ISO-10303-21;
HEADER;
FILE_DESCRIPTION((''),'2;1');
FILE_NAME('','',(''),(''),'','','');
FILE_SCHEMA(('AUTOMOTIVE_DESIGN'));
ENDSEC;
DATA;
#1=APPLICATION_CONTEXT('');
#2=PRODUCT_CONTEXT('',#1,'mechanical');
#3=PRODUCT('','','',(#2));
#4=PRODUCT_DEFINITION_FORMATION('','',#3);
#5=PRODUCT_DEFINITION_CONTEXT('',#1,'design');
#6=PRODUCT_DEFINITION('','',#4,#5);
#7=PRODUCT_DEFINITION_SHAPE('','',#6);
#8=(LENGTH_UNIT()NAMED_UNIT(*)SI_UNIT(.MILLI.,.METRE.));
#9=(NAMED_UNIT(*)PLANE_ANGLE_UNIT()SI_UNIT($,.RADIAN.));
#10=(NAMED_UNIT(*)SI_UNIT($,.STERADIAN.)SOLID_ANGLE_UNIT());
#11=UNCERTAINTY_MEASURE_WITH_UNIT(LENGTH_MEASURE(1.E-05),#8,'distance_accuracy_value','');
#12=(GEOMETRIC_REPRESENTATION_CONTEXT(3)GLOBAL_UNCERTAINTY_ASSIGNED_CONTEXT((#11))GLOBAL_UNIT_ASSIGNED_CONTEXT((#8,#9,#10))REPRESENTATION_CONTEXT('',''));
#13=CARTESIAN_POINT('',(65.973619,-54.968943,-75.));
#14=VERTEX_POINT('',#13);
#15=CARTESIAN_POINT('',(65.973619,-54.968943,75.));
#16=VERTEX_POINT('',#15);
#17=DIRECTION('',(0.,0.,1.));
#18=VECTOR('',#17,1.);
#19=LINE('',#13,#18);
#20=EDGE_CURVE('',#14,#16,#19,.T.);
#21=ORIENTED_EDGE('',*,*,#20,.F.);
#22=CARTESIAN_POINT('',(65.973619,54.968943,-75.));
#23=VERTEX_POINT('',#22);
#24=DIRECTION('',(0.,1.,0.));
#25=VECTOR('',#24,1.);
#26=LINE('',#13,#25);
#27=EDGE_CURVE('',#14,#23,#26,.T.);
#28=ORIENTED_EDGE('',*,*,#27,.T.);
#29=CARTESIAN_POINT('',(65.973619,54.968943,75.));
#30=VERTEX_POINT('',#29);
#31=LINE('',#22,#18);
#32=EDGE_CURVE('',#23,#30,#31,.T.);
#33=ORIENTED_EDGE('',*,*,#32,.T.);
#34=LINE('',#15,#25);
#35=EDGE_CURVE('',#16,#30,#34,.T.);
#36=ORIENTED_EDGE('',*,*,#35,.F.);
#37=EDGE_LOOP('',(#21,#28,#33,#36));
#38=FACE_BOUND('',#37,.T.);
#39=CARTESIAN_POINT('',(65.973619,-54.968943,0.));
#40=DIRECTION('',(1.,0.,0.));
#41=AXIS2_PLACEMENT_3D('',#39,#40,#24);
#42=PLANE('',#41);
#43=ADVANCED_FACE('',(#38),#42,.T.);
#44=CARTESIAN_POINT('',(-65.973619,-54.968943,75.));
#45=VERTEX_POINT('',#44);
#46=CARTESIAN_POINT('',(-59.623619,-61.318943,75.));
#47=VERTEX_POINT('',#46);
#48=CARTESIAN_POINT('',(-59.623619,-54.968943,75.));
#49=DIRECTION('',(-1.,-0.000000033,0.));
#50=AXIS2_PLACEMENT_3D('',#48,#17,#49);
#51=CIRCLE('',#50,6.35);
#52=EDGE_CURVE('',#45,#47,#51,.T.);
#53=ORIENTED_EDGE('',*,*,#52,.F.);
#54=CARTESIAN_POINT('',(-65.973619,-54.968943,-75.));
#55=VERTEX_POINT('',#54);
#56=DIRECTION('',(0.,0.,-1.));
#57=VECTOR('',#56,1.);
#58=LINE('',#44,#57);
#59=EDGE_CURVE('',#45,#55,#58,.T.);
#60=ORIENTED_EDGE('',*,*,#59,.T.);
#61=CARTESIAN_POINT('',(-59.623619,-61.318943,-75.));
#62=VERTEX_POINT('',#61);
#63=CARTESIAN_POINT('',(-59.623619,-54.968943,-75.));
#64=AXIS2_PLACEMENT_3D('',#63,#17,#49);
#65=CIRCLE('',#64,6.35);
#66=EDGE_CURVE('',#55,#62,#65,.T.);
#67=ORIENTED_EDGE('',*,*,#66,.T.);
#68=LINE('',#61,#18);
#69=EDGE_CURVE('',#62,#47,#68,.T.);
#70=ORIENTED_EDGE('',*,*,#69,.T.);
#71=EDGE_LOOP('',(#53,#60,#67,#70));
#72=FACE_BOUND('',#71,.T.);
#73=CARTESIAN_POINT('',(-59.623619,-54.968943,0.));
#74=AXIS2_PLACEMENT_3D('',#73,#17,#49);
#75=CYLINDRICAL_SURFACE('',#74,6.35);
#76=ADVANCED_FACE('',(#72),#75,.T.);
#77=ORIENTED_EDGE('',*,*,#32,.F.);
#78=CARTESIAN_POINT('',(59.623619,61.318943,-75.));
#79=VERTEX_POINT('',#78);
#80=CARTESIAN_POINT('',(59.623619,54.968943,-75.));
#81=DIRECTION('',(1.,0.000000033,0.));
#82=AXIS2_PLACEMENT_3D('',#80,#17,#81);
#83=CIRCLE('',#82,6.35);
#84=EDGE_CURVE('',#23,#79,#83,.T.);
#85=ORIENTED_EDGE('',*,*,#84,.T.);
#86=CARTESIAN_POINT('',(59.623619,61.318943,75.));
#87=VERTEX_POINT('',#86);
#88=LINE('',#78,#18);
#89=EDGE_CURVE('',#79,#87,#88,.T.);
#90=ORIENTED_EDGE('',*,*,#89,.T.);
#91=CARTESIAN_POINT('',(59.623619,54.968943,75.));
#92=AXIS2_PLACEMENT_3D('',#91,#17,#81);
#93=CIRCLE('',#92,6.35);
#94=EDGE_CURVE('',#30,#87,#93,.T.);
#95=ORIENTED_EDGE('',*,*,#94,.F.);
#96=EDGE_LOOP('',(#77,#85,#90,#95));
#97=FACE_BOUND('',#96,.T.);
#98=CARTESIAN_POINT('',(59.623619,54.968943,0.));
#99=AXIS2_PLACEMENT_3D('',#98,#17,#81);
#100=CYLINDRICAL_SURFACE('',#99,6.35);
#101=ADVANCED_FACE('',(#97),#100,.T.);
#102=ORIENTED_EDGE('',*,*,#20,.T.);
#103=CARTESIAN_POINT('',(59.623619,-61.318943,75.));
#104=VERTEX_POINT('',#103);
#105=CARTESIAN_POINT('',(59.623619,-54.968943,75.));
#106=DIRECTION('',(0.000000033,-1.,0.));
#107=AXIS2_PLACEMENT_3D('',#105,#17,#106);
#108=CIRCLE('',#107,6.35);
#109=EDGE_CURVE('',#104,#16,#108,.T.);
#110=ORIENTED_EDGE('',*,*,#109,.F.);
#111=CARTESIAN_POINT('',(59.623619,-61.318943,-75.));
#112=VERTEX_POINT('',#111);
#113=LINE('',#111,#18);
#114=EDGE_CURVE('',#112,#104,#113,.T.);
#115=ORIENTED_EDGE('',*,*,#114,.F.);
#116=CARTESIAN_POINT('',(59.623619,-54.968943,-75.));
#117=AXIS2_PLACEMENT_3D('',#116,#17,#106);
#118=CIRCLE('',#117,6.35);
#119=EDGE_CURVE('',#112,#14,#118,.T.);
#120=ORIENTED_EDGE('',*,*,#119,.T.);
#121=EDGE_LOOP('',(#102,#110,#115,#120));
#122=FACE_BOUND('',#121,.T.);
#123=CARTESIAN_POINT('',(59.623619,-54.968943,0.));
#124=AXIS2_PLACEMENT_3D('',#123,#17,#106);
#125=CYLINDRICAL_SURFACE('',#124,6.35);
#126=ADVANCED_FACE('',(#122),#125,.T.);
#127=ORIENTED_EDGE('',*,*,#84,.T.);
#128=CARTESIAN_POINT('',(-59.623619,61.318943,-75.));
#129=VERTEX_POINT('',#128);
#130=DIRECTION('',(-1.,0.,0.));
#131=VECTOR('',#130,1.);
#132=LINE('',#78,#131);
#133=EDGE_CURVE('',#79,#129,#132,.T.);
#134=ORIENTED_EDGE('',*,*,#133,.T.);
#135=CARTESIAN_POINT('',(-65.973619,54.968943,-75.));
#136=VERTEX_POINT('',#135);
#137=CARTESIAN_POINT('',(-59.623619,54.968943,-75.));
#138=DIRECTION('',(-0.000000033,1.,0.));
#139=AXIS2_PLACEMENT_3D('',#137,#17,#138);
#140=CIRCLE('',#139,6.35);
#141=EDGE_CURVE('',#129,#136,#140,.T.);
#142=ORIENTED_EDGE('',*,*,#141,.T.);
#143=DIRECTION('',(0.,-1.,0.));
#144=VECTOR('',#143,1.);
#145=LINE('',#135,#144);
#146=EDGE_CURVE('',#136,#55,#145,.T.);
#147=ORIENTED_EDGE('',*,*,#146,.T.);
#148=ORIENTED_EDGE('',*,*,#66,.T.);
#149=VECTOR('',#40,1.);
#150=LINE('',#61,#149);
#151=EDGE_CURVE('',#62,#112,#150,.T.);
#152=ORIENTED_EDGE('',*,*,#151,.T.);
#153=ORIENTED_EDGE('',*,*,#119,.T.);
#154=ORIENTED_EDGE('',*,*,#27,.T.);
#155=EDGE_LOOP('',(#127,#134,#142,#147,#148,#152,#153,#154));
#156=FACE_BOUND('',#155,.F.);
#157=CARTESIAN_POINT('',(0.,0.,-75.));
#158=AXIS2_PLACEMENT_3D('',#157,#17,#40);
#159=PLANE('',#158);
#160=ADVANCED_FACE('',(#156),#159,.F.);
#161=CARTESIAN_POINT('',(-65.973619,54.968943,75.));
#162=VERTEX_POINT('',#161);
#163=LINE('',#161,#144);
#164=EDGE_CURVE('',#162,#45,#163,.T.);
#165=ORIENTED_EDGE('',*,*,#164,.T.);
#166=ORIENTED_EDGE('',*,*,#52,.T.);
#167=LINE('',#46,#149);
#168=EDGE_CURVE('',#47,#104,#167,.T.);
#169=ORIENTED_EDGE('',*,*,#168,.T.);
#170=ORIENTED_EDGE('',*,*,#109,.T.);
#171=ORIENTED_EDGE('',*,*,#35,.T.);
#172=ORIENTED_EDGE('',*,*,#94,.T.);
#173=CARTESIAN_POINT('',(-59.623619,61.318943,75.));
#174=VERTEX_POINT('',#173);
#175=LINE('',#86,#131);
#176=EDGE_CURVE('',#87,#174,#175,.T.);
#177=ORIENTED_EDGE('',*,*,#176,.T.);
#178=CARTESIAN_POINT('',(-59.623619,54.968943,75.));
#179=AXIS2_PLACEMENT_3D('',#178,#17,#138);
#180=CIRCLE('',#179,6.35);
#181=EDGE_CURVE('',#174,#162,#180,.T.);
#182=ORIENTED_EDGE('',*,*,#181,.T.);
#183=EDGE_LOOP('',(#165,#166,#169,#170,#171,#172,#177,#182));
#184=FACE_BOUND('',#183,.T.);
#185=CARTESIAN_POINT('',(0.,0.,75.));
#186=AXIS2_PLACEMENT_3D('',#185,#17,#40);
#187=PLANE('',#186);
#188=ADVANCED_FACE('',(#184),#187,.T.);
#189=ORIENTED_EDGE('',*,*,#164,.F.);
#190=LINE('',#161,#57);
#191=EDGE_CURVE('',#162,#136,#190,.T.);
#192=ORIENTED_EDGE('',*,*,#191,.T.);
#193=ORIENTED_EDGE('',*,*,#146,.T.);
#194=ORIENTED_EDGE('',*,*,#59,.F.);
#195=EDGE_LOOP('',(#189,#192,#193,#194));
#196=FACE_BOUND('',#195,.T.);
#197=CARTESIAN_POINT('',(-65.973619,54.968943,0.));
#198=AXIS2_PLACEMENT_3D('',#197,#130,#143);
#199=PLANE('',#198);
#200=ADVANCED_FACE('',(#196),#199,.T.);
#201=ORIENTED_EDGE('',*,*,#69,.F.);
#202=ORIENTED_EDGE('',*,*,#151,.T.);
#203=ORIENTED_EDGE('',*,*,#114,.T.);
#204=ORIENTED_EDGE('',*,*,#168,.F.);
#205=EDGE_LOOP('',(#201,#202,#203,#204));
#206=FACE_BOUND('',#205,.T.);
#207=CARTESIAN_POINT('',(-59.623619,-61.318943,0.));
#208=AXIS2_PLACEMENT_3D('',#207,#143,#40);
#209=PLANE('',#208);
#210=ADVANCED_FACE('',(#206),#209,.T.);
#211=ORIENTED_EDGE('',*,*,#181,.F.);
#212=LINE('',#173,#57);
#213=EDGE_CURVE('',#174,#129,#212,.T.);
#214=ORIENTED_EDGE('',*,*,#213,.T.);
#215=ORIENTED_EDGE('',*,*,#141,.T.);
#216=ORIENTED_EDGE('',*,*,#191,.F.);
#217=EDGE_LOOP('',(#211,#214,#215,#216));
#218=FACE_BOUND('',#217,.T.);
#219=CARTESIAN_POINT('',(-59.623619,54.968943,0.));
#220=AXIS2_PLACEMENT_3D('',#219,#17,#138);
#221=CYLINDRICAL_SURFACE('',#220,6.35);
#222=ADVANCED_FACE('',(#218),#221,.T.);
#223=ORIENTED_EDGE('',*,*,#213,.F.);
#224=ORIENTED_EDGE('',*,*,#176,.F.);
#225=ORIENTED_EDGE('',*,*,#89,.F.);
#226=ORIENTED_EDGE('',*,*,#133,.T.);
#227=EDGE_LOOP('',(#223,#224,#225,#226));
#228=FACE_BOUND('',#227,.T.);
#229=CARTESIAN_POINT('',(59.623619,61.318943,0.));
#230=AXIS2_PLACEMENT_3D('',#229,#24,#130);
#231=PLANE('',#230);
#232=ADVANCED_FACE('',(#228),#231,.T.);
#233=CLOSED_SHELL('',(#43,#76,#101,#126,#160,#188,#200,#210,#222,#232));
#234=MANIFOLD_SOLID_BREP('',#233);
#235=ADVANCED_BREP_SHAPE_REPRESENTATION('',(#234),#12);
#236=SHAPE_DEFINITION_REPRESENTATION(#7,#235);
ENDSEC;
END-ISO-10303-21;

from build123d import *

# Parameters (mm, degrees)
F1_DEPTH = 75


with BuildPart() as f1:
    # F0 (on Top) → F1 (new body, symmetric)
    with BuildSketch(Plane.XY):
        with BuildLine():
            ThreePointArc((-65.973619, -54.968943), (-64.113747, -59.459071), (-59.623619, -61.318943))
            Line((-59.623619, -61.318943), (59.623619, -61.318943))
            ThreePointArc((59.623619, -61.318943), (64.113747, -59.459071), (65.973619, -54.968943))
            Line((65.973619, -54.968943), (65.973619, 54.968943))
            ThreePointArc((65.973619, 54.968943), (64.113747, 59.459071), (59.623619, 61.318943))
            Line((59.623619, 61.318943), (-59.623619, 61.318943))
            ThreePointArc((-59.623619, 61.318943), (-64.113747, 59.459071), (-65.973619, 54.968943))
            Line((-65.973619, 54.968943), (-65.973619, -54.968943))
        make_face()
    extrude(amount=F1_DEPTH, both=True)


solid = f1.part
